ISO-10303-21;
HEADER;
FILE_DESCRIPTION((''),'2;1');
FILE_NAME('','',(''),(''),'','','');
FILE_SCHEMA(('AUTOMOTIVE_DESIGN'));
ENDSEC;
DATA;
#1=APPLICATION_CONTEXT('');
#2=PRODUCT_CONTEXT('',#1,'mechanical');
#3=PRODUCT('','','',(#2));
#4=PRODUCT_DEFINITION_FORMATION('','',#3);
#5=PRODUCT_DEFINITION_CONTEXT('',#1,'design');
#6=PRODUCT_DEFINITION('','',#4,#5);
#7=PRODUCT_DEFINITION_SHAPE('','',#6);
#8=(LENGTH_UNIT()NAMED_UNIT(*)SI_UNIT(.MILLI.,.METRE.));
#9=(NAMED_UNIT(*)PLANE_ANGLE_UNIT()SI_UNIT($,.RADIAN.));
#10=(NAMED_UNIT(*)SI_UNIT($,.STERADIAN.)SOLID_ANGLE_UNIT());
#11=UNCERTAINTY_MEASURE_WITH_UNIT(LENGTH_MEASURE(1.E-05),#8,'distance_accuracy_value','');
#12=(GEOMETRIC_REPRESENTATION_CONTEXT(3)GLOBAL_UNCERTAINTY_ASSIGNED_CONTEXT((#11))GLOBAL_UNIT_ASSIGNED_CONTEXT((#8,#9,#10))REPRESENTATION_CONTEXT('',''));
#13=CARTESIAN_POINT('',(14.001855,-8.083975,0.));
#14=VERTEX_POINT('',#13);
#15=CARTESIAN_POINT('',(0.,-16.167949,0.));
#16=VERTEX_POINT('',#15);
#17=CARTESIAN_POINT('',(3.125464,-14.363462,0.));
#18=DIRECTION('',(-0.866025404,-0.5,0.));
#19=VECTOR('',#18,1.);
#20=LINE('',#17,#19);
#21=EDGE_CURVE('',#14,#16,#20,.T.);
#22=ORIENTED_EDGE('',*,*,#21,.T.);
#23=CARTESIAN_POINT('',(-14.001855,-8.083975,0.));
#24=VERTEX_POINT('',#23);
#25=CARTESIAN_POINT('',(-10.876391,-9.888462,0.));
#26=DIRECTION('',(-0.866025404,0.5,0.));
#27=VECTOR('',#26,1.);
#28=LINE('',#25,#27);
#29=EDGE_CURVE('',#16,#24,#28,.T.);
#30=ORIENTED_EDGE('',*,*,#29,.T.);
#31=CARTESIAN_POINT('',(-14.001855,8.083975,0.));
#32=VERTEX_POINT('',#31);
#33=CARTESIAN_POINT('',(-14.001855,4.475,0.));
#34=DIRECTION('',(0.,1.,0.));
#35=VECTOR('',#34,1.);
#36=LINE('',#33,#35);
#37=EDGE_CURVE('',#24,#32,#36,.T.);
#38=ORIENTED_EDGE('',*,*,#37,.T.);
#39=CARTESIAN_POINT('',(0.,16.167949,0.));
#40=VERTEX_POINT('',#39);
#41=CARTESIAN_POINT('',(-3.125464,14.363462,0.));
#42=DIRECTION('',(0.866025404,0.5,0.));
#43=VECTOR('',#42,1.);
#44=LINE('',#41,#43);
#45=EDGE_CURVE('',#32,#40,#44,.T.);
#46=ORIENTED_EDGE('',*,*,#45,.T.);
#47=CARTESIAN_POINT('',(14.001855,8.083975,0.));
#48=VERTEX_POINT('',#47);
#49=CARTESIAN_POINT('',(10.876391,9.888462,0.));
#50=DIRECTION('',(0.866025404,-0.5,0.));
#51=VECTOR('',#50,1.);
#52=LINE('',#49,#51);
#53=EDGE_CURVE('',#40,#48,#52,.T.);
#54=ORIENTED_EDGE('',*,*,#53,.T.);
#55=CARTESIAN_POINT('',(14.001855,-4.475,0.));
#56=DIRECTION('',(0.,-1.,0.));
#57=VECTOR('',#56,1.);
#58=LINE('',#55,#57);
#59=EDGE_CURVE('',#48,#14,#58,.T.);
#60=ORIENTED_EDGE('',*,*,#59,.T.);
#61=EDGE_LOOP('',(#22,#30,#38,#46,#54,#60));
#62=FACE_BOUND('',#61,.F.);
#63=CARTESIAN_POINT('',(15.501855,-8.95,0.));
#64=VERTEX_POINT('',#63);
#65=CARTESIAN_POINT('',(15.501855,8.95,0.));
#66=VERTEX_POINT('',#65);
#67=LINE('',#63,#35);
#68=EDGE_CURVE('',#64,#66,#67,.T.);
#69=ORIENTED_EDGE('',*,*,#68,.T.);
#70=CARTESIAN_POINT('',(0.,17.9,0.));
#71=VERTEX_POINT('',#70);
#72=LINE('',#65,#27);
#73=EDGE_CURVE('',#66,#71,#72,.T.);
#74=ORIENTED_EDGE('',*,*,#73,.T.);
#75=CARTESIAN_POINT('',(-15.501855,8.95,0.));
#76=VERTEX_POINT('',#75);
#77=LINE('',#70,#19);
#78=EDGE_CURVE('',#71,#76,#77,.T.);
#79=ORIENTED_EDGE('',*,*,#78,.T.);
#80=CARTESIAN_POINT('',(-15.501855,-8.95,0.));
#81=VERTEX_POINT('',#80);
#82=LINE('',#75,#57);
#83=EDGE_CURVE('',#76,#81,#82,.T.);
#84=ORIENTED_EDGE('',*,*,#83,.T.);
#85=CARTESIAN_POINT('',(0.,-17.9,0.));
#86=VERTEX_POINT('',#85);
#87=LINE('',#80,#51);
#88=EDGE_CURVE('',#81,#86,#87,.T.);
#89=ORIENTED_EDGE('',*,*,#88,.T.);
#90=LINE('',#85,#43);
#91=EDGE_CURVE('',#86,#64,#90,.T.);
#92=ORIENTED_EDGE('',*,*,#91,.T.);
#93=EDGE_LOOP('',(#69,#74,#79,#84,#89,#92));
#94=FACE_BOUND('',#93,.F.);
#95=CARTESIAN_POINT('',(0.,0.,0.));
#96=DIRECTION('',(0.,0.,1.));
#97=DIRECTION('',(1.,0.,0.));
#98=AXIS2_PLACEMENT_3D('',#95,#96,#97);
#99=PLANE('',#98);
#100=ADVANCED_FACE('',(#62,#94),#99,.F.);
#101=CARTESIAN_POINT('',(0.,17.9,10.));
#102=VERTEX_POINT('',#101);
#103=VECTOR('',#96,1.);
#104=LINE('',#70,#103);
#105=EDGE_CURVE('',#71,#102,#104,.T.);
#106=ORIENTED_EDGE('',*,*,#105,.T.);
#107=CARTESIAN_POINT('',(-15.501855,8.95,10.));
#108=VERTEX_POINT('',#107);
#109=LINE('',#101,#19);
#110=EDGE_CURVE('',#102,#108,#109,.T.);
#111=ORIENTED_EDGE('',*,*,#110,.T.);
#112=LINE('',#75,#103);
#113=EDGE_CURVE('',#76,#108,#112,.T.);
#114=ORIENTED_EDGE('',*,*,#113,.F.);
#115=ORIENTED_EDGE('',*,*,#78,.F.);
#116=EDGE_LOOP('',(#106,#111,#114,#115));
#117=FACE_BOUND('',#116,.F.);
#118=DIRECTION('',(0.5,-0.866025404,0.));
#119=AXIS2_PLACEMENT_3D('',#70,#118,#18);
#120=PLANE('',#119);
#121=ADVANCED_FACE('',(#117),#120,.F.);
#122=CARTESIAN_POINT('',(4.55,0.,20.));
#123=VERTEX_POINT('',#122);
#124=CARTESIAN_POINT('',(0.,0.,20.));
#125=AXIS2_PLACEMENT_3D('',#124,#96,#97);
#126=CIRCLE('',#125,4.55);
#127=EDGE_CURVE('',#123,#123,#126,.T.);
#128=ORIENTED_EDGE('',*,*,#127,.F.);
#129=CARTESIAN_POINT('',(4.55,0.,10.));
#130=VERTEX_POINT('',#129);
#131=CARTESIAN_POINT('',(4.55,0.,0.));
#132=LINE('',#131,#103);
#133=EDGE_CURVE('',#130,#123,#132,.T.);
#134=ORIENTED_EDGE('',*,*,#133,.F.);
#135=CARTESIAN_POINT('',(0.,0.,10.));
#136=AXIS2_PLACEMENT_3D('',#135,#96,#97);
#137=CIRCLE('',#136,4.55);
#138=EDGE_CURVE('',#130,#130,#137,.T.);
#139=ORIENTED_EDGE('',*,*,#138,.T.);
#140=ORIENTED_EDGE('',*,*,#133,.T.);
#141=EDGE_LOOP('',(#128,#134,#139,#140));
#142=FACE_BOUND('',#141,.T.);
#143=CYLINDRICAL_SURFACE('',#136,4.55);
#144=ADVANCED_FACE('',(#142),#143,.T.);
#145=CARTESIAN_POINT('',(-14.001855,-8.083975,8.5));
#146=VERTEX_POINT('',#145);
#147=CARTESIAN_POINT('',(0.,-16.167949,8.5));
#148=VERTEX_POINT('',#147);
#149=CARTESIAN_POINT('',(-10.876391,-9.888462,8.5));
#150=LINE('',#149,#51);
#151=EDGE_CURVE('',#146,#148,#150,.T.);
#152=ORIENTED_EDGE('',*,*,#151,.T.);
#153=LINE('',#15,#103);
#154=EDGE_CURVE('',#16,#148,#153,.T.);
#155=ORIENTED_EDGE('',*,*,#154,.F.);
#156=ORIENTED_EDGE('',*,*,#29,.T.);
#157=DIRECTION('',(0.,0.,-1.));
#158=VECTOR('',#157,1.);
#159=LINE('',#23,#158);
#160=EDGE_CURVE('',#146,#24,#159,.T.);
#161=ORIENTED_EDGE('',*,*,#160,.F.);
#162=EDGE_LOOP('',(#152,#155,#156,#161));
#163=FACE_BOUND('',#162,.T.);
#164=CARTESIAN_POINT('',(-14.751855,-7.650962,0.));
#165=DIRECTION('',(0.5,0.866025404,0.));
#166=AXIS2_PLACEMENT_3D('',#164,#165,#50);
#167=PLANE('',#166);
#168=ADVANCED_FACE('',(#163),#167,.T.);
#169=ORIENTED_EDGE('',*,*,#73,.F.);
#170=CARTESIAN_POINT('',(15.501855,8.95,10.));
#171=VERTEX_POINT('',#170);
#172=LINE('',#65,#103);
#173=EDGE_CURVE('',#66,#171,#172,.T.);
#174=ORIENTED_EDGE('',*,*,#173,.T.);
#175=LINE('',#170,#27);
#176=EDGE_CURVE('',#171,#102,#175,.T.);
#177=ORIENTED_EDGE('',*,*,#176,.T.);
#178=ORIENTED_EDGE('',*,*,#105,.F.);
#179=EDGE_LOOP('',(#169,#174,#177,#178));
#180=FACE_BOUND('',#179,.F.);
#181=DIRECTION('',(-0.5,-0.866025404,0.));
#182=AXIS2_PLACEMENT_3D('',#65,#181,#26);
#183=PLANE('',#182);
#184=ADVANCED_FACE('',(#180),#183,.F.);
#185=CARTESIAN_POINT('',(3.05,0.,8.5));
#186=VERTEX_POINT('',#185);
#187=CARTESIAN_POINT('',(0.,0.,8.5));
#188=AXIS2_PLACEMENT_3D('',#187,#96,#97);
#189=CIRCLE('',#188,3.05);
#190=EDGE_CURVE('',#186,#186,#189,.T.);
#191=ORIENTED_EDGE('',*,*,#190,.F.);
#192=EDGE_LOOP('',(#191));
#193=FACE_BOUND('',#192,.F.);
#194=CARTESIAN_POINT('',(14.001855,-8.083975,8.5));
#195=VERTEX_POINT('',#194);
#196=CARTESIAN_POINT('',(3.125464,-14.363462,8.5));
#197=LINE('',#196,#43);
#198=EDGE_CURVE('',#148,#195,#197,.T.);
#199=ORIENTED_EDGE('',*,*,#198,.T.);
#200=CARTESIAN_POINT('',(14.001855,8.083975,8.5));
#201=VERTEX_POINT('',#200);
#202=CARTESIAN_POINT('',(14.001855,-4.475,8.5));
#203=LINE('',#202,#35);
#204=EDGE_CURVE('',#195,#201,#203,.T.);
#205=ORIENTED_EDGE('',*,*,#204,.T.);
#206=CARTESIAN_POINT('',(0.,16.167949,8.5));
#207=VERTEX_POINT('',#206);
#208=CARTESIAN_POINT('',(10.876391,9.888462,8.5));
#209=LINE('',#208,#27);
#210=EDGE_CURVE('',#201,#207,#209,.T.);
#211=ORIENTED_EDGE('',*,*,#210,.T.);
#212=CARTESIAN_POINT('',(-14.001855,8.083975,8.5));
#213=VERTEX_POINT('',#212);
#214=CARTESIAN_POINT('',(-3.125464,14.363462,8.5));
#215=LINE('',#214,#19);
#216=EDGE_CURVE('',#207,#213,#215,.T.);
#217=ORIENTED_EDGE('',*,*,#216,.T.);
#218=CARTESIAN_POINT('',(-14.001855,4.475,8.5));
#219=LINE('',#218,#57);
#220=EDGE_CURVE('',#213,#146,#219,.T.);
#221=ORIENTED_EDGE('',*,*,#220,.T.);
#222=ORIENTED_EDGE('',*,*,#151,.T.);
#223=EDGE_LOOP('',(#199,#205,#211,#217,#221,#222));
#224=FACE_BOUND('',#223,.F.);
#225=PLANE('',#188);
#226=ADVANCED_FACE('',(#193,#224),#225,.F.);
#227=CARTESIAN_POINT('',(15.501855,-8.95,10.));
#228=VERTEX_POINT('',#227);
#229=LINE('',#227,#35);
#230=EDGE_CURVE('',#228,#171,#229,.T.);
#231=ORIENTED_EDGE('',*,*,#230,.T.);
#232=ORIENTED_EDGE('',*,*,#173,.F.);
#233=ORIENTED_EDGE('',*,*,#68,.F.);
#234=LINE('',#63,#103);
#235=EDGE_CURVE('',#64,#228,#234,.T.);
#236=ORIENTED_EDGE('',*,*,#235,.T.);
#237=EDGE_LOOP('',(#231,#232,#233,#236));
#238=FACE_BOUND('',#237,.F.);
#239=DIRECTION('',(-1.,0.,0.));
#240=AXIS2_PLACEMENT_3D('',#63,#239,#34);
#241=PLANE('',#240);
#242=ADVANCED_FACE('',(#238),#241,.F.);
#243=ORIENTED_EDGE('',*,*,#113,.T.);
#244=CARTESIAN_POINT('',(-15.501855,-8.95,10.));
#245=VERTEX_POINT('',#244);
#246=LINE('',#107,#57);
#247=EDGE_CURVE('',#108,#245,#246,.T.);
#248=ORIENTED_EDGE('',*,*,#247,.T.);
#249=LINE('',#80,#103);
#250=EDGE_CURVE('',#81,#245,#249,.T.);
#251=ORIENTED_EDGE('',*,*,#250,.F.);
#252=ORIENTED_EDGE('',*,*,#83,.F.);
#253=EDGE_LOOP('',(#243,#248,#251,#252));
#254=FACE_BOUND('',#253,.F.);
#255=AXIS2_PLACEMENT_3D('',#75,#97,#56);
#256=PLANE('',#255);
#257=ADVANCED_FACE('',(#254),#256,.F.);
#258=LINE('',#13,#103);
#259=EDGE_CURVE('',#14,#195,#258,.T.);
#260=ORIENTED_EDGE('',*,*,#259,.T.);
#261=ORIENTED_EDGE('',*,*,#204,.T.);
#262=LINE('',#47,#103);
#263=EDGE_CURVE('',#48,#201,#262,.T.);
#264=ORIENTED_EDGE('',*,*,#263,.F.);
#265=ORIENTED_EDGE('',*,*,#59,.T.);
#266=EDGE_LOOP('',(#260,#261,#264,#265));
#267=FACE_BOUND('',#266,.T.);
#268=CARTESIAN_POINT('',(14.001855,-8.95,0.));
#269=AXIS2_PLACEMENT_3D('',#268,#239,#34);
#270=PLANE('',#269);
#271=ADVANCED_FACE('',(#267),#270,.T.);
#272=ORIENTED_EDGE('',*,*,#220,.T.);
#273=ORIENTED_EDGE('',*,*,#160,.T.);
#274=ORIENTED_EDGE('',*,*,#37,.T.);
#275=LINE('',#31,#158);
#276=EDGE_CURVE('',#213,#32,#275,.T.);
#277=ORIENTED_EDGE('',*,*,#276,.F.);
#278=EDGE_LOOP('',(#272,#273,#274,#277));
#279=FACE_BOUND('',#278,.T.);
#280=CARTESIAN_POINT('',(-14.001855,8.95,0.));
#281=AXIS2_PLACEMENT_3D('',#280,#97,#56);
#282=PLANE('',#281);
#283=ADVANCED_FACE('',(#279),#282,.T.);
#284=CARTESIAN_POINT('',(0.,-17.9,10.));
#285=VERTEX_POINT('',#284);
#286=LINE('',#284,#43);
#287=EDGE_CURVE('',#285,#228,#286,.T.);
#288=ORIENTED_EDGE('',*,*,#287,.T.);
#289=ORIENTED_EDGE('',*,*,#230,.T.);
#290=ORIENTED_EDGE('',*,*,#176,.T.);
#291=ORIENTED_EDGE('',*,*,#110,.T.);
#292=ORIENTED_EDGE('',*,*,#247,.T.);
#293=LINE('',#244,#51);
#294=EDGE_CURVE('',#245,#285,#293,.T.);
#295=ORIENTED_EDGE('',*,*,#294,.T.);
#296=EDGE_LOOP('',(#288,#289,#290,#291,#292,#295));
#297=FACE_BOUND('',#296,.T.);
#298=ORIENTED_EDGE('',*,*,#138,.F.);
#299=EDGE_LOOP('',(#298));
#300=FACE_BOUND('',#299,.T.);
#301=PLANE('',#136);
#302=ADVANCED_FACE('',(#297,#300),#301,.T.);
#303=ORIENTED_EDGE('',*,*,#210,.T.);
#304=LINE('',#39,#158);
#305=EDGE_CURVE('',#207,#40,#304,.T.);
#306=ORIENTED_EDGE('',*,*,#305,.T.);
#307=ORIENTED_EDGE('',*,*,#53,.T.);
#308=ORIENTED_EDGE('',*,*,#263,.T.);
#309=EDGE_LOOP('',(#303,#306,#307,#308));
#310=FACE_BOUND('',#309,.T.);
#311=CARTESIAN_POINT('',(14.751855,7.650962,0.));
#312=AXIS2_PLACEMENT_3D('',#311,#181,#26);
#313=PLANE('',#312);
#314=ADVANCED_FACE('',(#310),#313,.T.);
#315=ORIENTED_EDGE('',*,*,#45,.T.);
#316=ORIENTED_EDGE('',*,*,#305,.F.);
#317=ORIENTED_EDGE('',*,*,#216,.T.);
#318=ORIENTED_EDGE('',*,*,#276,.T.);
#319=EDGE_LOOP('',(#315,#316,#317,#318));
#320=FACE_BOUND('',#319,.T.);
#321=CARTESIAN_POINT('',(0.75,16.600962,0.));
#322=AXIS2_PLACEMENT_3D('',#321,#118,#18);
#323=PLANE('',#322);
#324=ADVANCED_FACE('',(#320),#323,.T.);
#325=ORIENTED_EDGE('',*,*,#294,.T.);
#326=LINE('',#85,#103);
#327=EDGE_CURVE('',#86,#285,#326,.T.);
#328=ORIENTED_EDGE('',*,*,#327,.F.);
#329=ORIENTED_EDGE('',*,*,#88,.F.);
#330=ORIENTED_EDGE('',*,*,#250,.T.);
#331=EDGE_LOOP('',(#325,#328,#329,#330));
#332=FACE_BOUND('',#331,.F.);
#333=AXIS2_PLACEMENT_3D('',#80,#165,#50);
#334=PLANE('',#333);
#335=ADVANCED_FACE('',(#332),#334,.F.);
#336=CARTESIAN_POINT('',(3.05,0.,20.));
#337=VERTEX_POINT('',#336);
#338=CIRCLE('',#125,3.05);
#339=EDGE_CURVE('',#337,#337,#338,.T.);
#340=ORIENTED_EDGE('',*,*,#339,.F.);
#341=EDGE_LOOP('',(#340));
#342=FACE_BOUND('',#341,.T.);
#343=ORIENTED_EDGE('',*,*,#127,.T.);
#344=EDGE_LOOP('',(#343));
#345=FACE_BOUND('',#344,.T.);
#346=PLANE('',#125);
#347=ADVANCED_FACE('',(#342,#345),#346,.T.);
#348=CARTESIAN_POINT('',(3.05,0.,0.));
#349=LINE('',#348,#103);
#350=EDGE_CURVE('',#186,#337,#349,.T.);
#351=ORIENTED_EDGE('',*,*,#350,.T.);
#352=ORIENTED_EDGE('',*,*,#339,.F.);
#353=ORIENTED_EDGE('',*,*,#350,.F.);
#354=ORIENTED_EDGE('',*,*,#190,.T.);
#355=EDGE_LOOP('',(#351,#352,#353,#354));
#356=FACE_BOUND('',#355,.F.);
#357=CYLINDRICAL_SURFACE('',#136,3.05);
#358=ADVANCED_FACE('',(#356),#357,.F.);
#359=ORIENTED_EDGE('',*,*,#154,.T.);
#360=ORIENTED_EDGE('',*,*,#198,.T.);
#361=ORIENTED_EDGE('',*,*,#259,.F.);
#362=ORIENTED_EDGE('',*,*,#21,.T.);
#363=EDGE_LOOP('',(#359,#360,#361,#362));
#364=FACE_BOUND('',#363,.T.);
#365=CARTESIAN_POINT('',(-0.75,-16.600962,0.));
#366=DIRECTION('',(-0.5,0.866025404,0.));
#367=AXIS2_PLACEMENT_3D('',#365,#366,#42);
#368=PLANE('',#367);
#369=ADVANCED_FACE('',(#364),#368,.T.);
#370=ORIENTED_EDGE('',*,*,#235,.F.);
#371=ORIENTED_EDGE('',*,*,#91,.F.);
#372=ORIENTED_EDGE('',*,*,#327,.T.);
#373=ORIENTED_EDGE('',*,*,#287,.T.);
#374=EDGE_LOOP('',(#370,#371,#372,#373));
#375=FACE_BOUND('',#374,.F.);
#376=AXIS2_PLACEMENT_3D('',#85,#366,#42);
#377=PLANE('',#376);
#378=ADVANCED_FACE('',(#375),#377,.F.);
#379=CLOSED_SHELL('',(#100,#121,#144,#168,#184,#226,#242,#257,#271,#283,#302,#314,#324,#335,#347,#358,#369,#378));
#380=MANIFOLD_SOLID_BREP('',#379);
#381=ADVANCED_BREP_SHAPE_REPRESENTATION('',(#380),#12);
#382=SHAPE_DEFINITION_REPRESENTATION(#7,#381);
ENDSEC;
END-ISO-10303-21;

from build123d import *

# Parameters (mm, degrees)
F1_DEPTH = 10
F2_R     = 4.55
F3_DEPTH = 10
F4_T     = -1.5


with BuildPart() as f1:
    # F0 (on Top) → F1 (new body)
    with BuildSketch(Plane.XY):
        Polygon((-15.5018547277, -8.95), (0, -17.9), (15.5018547277, -8.95), (15.5018547277, 8.95), (0, 17.9), (-15.5018547277, 8.95), align=None)
    extrude(amount=F1_DEPTH)

    # F2 (on face) → F3 (join, symmetric)
    with BuildSketch(Plane.XY.offset(10)):
        Circle(F2_R)
    extrude(amount=F3_DEPTH, both=True)

    # F4
    f4_openings = [f1.faces().sort_by_distance(p)[0] for p in [
        (0, 0, 0),
        (0, 0, 20),
    ]]
    offset(amount=F4_T, openings=f4_openings, kind=Kind.INTERSECTION)


solid = f1.part
